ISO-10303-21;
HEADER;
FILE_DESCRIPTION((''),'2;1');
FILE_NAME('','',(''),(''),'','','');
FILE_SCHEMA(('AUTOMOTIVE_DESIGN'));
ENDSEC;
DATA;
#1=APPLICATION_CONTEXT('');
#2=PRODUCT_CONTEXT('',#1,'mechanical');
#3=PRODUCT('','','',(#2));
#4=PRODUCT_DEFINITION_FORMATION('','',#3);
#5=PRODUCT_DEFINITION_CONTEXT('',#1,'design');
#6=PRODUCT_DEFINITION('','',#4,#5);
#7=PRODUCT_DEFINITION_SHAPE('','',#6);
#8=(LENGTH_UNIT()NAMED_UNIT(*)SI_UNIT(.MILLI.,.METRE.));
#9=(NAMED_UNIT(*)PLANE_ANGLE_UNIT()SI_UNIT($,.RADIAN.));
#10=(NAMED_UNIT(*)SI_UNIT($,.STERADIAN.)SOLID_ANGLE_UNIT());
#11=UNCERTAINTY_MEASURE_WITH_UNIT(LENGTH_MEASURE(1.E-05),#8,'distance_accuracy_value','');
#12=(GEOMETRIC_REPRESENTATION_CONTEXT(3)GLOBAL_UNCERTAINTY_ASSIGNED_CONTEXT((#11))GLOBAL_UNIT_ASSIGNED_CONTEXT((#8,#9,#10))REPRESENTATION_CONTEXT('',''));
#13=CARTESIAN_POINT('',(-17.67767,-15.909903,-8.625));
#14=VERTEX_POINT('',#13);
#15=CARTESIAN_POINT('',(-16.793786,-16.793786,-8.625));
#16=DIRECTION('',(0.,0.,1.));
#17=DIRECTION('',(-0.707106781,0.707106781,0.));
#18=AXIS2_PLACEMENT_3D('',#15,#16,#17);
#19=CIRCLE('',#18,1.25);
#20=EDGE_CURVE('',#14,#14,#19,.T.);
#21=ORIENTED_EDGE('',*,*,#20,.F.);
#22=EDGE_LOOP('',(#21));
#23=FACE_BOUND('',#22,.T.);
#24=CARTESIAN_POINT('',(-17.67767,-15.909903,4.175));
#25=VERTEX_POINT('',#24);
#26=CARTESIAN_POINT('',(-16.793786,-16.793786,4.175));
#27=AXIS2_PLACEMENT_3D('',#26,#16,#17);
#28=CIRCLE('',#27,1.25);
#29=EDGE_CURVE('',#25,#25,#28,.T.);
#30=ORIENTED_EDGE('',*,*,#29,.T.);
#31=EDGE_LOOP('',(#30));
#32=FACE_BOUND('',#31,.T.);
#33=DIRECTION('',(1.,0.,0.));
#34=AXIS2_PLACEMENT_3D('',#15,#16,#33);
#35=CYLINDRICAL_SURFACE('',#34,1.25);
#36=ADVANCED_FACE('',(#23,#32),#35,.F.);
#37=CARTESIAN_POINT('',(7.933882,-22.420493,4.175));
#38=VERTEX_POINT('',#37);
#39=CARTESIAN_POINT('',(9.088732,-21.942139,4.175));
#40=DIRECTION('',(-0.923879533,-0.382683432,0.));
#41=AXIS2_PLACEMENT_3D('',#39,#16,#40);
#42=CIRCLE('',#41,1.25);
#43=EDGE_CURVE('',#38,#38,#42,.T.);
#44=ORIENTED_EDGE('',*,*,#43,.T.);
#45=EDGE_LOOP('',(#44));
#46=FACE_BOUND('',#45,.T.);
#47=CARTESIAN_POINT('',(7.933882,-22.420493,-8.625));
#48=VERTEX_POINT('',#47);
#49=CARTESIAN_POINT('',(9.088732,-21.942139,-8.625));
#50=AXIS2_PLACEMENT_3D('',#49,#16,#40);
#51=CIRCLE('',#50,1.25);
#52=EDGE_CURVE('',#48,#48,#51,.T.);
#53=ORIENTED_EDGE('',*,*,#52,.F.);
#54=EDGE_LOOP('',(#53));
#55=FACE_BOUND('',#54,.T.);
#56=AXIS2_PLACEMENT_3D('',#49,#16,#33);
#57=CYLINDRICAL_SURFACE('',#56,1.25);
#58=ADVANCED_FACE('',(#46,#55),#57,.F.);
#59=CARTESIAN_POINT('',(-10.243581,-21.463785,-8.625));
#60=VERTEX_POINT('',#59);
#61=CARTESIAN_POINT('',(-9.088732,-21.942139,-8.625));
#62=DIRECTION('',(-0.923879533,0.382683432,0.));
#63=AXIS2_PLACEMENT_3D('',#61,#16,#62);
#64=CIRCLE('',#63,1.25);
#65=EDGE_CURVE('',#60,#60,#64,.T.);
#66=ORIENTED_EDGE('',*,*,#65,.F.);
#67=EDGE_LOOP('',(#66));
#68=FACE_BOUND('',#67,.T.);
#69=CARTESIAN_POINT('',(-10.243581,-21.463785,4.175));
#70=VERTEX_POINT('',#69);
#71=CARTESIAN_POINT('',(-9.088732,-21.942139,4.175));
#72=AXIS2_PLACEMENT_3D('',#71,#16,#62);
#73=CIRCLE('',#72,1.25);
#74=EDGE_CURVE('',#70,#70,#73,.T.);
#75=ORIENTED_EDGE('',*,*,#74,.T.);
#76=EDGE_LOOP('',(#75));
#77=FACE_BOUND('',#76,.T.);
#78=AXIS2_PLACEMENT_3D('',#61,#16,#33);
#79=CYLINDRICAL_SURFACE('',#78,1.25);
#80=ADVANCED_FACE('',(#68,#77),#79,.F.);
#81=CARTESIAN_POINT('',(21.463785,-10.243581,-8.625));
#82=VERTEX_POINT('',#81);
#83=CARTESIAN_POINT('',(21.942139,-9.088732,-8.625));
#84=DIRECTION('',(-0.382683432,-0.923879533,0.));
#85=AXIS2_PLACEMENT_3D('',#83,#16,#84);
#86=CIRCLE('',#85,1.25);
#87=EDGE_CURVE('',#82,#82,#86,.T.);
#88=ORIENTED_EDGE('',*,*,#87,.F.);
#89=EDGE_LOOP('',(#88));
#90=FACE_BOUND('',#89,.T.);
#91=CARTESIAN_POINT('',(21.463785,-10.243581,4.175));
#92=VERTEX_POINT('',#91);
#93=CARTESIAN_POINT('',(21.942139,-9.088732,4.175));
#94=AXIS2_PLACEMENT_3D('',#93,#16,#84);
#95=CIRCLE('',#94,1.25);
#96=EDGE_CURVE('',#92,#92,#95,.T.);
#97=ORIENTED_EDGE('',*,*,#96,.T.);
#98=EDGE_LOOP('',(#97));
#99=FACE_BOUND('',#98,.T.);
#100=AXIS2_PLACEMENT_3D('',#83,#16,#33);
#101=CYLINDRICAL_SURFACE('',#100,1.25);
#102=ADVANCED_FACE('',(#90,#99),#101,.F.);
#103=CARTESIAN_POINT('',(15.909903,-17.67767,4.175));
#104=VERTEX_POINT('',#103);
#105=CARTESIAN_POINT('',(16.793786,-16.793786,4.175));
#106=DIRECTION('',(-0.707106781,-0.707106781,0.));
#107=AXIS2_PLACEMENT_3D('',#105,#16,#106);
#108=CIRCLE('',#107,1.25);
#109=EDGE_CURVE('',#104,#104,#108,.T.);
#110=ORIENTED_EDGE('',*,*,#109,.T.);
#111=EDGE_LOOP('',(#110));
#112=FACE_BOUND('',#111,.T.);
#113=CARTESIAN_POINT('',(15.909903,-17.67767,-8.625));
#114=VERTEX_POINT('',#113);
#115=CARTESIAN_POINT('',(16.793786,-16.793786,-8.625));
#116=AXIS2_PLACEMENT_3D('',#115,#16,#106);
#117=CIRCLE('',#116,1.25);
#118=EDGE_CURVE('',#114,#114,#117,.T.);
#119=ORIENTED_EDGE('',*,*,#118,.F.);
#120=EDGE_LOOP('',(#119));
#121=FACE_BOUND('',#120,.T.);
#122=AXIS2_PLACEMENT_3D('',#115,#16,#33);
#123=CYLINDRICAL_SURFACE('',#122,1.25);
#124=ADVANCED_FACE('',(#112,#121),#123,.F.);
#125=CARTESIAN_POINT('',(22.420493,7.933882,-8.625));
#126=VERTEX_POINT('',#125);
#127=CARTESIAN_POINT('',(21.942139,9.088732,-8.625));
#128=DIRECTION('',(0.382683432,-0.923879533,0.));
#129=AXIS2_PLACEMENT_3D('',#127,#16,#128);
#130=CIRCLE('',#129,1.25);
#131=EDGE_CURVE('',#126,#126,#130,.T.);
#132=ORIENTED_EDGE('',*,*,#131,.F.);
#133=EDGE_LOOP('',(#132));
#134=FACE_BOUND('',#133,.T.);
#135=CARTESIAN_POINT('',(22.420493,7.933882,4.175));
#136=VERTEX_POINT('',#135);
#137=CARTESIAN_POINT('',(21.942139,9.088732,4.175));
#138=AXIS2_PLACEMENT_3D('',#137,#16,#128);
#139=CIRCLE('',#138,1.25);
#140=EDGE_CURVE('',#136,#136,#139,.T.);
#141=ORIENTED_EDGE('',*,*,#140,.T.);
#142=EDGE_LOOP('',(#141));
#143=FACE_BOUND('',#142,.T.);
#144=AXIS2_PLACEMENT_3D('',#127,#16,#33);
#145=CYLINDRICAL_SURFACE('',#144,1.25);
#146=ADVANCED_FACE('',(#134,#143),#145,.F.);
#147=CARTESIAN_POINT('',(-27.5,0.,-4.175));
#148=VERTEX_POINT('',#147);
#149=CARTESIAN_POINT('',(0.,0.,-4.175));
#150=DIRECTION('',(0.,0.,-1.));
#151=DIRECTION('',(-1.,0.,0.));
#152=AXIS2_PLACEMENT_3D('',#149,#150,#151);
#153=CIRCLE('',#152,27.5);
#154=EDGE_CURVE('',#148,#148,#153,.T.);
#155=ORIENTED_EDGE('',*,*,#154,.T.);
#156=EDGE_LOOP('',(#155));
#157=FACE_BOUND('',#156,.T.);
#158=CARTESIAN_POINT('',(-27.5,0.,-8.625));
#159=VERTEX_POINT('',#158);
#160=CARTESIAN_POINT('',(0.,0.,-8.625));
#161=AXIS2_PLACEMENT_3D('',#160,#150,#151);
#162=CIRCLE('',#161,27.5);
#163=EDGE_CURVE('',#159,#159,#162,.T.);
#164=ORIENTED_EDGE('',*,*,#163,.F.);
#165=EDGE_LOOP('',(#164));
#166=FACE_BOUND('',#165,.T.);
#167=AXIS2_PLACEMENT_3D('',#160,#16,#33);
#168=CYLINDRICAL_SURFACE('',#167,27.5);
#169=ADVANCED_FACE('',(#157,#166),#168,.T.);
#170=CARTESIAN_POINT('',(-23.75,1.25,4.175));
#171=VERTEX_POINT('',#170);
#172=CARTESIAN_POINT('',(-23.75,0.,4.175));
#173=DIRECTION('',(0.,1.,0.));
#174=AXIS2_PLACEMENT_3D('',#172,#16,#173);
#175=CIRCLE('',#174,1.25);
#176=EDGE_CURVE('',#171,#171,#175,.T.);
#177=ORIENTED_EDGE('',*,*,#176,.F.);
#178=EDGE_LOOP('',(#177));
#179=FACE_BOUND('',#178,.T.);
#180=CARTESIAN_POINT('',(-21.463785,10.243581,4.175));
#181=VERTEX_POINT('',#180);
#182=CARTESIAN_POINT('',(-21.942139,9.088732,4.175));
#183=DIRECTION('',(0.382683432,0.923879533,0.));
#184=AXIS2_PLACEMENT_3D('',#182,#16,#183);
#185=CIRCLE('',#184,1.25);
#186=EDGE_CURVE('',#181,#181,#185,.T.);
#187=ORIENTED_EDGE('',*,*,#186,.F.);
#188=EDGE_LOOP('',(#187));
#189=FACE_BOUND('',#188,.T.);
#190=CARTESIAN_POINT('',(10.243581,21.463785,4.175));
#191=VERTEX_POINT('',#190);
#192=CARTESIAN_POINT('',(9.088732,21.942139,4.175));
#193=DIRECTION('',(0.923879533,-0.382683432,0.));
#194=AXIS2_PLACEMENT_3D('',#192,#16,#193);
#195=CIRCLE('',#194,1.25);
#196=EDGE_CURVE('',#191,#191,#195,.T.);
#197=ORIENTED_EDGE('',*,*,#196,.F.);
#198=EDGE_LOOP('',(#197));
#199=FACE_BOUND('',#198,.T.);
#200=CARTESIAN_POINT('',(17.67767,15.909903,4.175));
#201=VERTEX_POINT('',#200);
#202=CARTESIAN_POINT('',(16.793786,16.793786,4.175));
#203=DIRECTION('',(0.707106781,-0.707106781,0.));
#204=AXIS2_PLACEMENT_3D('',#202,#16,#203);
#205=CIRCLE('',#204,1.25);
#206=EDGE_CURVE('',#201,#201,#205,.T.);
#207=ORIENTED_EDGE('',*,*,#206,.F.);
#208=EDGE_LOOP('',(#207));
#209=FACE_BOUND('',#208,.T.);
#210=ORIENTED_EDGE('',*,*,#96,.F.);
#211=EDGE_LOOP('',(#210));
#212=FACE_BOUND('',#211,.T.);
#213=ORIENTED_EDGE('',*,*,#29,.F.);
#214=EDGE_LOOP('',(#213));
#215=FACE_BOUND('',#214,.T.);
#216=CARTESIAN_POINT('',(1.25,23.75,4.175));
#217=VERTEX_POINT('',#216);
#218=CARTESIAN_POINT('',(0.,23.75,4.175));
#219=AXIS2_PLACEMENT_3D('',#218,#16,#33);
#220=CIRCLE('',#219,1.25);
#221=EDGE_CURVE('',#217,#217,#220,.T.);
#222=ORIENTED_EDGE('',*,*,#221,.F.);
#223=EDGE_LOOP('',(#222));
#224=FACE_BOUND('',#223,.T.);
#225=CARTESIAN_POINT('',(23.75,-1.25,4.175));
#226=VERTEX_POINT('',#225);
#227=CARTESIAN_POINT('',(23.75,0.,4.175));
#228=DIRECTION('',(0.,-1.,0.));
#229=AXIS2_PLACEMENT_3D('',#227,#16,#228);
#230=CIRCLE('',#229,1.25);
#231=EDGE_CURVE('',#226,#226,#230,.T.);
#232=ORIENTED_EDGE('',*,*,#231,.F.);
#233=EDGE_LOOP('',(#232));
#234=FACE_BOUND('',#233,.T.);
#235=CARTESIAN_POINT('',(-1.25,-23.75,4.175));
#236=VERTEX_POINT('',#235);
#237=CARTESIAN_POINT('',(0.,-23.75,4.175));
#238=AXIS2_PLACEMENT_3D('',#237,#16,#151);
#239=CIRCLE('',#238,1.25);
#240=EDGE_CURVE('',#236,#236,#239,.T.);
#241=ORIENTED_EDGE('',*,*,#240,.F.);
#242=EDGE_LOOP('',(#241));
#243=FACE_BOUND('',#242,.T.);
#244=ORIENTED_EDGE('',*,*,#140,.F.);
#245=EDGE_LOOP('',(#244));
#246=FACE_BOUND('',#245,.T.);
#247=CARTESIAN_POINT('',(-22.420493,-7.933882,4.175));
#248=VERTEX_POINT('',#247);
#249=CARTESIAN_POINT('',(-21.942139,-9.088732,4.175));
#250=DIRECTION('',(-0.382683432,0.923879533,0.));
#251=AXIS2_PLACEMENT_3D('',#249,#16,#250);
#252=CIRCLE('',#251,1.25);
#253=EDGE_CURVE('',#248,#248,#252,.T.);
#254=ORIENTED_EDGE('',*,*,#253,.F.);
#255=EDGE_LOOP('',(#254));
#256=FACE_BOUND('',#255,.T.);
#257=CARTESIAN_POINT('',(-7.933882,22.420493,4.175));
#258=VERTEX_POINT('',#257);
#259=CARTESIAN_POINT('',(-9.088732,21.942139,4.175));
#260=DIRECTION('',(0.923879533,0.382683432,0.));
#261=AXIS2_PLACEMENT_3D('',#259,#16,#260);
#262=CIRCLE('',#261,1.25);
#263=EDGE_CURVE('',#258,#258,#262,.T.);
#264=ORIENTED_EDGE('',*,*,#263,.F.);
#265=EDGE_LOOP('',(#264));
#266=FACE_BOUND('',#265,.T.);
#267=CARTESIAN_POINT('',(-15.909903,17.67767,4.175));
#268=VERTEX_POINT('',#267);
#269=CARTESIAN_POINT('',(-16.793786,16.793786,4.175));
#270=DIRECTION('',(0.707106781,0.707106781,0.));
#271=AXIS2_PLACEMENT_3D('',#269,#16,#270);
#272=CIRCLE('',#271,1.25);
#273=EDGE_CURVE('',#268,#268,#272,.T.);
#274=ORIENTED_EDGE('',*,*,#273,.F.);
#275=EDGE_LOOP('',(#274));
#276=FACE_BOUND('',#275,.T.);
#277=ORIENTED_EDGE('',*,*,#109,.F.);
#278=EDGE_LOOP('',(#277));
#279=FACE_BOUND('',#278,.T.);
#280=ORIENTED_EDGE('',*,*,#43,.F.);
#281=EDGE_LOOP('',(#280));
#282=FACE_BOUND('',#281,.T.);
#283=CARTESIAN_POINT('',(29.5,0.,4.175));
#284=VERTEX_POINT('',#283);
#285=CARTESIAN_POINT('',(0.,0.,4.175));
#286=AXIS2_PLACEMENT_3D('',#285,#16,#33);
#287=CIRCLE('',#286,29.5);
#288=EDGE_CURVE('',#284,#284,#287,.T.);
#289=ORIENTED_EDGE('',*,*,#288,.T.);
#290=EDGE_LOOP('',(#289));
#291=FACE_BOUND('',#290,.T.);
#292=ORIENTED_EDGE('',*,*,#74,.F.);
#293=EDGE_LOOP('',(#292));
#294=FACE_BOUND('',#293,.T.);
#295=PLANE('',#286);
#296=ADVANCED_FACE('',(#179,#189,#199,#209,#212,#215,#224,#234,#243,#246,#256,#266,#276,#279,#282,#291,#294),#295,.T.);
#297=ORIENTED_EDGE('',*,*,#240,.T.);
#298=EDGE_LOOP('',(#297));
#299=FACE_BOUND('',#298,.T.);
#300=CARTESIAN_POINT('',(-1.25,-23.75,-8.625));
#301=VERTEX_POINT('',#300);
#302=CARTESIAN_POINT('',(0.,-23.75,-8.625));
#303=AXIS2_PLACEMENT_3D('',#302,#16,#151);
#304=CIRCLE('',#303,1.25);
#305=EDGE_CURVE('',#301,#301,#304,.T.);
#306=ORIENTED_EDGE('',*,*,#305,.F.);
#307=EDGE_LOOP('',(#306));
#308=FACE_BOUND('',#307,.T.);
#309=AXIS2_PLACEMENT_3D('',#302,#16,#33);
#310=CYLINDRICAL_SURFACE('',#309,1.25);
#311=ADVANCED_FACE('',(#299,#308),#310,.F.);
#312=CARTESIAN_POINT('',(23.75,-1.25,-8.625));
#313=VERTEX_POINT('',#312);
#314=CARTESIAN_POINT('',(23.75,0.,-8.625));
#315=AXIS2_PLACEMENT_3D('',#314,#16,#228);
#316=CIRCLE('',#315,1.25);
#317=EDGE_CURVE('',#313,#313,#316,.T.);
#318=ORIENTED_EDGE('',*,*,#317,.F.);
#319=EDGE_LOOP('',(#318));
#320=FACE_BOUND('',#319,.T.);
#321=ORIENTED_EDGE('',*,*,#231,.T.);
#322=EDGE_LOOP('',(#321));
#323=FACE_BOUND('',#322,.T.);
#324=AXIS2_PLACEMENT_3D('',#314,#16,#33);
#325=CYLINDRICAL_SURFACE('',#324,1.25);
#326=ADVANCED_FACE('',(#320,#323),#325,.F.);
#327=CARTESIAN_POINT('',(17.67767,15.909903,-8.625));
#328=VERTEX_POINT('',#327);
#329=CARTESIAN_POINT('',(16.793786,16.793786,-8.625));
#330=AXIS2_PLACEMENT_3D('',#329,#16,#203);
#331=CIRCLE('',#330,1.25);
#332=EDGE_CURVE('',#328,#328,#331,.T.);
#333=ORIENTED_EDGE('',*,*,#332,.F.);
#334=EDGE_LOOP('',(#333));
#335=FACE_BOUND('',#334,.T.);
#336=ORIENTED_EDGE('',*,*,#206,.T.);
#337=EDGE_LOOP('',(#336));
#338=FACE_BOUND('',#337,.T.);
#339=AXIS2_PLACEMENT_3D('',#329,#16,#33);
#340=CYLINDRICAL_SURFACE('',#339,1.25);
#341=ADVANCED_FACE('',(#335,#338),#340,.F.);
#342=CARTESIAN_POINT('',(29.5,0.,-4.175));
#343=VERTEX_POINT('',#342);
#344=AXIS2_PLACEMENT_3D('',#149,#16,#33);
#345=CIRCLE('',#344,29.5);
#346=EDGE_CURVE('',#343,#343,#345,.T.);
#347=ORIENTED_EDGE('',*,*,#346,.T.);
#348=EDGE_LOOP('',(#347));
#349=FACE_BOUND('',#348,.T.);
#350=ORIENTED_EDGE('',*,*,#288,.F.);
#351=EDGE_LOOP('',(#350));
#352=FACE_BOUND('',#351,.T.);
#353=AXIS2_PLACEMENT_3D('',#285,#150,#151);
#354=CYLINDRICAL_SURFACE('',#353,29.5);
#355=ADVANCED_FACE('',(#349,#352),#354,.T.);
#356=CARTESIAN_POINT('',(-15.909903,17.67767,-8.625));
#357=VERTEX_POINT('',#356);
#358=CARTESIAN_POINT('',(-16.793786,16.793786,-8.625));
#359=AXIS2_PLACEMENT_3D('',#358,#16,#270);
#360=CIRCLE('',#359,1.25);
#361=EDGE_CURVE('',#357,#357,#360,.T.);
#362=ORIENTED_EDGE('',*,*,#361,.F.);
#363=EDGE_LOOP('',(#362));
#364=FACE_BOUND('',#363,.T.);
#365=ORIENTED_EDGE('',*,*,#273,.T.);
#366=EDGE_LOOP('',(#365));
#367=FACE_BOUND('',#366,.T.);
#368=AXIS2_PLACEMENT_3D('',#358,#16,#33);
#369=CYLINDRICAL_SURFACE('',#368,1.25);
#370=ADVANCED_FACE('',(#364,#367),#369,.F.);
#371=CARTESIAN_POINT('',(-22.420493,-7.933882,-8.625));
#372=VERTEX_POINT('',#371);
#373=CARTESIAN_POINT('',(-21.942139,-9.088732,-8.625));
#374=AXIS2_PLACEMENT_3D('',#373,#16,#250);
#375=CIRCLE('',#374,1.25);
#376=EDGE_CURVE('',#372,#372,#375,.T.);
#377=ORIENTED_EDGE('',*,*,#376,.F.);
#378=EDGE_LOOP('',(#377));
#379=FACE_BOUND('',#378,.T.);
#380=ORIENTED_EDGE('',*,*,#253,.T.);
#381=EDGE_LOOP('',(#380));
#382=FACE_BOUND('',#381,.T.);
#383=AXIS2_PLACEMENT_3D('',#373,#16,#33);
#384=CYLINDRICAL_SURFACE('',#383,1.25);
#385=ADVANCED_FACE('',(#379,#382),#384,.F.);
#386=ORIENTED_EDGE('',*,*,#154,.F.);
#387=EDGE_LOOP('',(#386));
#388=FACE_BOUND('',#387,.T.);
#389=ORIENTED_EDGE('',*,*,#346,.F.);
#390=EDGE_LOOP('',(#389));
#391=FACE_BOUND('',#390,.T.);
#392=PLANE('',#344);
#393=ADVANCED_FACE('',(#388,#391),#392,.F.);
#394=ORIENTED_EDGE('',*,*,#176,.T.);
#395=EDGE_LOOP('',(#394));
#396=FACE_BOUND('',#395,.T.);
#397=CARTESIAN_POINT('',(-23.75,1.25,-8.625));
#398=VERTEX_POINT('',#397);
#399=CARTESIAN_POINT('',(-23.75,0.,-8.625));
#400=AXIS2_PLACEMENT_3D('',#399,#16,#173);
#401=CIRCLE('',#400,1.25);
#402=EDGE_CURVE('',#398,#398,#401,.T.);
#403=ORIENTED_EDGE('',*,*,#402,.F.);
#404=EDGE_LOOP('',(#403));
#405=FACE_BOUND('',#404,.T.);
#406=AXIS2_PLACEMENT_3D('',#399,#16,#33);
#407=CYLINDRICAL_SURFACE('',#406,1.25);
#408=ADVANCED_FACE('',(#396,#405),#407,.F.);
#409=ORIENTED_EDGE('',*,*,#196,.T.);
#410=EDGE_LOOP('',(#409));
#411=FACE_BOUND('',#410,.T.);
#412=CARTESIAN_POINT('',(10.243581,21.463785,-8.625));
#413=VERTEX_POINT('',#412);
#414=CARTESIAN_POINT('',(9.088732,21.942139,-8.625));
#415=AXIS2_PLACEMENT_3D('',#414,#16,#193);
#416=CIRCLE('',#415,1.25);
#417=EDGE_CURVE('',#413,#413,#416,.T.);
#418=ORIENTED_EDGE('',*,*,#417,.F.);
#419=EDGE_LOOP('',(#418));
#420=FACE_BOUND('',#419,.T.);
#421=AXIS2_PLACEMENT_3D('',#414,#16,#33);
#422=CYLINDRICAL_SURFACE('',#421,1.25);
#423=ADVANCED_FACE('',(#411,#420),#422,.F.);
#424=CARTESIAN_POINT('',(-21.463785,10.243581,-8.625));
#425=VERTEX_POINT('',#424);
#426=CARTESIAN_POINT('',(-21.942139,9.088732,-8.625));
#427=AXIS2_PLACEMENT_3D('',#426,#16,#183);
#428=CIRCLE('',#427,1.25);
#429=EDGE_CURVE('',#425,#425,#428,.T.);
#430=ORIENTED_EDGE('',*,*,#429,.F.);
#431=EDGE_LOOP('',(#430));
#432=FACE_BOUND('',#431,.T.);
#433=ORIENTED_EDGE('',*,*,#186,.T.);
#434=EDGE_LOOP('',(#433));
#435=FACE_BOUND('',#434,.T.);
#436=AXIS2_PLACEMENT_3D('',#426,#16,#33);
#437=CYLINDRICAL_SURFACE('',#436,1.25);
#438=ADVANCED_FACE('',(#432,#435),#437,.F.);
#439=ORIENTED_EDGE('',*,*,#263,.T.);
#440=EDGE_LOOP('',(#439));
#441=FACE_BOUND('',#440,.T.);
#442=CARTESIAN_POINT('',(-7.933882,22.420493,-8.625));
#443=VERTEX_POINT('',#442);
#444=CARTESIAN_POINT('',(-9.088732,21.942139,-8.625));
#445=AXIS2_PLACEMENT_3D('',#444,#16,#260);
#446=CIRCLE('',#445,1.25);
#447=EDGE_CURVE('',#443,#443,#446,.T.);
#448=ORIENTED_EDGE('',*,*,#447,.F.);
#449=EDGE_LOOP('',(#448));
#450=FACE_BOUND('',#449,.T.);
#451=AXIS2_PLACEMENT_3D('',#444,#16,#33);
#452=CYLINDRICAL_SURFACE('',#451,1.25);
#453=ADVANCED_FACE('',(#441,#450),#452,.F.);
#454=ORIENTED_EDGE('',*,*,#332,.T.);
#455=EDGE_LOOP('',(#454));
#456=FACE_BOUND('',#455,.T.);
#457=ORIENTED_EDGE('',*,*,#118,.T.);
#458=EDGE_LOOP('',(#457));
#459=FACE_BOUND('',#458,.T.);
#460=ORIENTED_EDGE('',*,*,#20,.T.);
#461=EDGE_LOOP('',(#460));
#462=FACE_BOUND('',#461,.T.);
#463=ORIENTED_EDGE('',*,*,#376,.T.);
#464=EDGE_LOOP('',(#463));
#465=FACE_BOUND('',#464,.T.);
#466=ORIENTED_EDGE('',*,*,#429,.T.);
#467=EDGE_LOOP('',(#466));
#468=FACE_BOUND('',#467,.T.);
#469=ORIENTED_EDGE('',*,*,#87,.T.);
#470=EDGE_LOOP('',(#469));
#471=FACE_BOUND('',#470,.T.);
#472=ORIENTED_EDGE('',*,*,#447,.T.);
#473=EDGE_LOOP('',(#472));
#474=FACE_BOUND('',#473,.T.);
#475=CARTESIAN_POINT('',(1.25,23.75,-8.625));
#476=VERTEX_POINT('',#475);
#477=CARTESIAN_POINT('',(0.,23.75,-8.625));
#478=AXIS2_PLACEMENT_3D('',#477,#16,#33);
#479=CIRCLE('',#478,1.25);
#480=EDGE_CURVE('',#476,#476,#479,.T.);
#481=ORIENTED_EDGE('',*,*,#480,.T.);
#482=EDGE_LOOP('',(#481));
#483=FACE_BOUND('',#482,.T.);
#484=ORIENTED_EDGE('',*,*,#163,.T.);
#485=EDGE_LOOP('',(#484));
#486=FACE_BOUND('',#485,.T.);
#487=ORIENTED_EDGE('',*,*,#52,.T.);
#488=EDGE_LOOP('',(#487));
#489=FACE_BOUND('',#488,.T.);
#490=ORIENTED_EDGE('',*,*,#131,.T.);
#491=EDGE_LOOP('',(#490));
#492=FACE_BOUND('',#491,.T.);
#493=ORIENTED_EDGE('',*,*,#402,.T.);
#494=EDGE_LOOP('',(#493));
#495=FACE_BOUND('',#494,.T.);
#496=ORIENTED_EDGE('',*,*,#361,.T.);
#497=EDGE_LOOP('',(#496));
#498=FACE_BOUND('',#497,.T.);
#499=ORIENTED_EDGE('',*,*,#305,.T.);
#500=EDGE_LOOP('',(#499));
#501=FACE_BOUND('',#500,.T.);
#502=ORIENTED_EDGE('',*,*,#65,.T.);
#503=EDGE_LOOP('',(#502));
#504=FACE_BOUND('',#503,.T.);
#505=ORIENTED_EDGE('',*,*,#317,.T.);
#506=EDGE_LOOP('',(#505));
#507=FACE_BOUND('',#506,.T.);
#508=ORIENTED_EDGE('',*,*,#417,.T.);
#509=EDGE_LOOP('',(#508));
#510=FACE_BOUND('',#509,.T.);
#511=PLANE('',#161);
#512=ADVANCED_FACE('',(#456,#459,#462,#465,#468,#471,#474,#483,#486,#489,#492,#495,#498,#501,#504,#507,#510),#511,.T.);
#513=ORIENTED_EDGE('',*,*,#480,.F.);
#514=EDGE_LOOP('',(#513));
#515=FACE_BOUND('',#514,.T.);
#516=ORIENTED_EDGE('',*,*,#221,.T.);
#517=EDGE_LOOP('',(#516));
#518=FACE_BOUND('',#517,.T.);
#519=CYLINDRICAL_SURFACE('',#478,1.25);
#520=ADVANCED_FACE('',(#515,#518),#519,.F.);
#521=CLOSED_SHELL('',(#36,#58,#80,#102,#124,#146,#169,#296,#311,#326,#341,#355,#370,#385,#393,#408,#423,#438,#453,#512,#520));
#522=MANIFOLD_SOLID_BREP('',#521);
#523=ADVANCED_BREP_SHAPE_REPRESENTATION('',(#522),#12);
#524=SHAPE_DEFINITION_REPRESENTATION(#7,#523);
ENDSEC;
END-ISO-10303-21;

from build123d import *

# Parameters (mm, degrees)
SKETCH1_R           = 29.5
BOSS_EXTRUDE1_DEPTH = 4.175
SKETCH2_R           = 27.5
BOSS_EXTRUDE2_DEPTH = 4.45
SKETCH3_R           = 1.25
CUT_EXTRUDE1_DEPTH  = 44.638744253
CIRPATTERN1_COUNT   = 16


with BuildPart() as part:
    # Sketch1 → Boss-Extrude1 (new, symmetric)
    with BuildSketch(Plane.XY):
        Circle(SKETCH1_R)
    extrude(amount=BOSS_EXTRUDE1_DEPTH, both=True)

    # Sketch2 → Boss-Extrude2 (add)
    with BuildSketch(Plane(origin=(0, 0, -4.175), x_dir=(-1, 0, 0), z_dir=(0, 0, -1))):
        Circle(SKETCH2_R)
    extrude(amount=BOSS_EXTRUDE2_DEPTH)

    # Sketch3 → Cut-Extrude1 (cut, through all)
    with BuildSketch(Plane.XY.offset(4.175)):
        with Locations((0, 23.75)):
            Circle(SKETCH3_R)
    cut_extrude1 = extrude(amount=-CUT_EXTRUDE1_DEPTH, mode=Mode.SUBTRACT)

    # CirPattern1: Cut-Extrude1 ×16 about axis
    cirpattern1_axis = Axis((0, 0, 0), (0, 0, 1))
    for i in range(1, CIRPATTERN1_COUNT):
        add(cut_extrude1.rotate(cirpattern1_axis, i * 360 / CIRPATTERN1_COUNT), mode=Mode.SUBTRACT)


solid = part.part
